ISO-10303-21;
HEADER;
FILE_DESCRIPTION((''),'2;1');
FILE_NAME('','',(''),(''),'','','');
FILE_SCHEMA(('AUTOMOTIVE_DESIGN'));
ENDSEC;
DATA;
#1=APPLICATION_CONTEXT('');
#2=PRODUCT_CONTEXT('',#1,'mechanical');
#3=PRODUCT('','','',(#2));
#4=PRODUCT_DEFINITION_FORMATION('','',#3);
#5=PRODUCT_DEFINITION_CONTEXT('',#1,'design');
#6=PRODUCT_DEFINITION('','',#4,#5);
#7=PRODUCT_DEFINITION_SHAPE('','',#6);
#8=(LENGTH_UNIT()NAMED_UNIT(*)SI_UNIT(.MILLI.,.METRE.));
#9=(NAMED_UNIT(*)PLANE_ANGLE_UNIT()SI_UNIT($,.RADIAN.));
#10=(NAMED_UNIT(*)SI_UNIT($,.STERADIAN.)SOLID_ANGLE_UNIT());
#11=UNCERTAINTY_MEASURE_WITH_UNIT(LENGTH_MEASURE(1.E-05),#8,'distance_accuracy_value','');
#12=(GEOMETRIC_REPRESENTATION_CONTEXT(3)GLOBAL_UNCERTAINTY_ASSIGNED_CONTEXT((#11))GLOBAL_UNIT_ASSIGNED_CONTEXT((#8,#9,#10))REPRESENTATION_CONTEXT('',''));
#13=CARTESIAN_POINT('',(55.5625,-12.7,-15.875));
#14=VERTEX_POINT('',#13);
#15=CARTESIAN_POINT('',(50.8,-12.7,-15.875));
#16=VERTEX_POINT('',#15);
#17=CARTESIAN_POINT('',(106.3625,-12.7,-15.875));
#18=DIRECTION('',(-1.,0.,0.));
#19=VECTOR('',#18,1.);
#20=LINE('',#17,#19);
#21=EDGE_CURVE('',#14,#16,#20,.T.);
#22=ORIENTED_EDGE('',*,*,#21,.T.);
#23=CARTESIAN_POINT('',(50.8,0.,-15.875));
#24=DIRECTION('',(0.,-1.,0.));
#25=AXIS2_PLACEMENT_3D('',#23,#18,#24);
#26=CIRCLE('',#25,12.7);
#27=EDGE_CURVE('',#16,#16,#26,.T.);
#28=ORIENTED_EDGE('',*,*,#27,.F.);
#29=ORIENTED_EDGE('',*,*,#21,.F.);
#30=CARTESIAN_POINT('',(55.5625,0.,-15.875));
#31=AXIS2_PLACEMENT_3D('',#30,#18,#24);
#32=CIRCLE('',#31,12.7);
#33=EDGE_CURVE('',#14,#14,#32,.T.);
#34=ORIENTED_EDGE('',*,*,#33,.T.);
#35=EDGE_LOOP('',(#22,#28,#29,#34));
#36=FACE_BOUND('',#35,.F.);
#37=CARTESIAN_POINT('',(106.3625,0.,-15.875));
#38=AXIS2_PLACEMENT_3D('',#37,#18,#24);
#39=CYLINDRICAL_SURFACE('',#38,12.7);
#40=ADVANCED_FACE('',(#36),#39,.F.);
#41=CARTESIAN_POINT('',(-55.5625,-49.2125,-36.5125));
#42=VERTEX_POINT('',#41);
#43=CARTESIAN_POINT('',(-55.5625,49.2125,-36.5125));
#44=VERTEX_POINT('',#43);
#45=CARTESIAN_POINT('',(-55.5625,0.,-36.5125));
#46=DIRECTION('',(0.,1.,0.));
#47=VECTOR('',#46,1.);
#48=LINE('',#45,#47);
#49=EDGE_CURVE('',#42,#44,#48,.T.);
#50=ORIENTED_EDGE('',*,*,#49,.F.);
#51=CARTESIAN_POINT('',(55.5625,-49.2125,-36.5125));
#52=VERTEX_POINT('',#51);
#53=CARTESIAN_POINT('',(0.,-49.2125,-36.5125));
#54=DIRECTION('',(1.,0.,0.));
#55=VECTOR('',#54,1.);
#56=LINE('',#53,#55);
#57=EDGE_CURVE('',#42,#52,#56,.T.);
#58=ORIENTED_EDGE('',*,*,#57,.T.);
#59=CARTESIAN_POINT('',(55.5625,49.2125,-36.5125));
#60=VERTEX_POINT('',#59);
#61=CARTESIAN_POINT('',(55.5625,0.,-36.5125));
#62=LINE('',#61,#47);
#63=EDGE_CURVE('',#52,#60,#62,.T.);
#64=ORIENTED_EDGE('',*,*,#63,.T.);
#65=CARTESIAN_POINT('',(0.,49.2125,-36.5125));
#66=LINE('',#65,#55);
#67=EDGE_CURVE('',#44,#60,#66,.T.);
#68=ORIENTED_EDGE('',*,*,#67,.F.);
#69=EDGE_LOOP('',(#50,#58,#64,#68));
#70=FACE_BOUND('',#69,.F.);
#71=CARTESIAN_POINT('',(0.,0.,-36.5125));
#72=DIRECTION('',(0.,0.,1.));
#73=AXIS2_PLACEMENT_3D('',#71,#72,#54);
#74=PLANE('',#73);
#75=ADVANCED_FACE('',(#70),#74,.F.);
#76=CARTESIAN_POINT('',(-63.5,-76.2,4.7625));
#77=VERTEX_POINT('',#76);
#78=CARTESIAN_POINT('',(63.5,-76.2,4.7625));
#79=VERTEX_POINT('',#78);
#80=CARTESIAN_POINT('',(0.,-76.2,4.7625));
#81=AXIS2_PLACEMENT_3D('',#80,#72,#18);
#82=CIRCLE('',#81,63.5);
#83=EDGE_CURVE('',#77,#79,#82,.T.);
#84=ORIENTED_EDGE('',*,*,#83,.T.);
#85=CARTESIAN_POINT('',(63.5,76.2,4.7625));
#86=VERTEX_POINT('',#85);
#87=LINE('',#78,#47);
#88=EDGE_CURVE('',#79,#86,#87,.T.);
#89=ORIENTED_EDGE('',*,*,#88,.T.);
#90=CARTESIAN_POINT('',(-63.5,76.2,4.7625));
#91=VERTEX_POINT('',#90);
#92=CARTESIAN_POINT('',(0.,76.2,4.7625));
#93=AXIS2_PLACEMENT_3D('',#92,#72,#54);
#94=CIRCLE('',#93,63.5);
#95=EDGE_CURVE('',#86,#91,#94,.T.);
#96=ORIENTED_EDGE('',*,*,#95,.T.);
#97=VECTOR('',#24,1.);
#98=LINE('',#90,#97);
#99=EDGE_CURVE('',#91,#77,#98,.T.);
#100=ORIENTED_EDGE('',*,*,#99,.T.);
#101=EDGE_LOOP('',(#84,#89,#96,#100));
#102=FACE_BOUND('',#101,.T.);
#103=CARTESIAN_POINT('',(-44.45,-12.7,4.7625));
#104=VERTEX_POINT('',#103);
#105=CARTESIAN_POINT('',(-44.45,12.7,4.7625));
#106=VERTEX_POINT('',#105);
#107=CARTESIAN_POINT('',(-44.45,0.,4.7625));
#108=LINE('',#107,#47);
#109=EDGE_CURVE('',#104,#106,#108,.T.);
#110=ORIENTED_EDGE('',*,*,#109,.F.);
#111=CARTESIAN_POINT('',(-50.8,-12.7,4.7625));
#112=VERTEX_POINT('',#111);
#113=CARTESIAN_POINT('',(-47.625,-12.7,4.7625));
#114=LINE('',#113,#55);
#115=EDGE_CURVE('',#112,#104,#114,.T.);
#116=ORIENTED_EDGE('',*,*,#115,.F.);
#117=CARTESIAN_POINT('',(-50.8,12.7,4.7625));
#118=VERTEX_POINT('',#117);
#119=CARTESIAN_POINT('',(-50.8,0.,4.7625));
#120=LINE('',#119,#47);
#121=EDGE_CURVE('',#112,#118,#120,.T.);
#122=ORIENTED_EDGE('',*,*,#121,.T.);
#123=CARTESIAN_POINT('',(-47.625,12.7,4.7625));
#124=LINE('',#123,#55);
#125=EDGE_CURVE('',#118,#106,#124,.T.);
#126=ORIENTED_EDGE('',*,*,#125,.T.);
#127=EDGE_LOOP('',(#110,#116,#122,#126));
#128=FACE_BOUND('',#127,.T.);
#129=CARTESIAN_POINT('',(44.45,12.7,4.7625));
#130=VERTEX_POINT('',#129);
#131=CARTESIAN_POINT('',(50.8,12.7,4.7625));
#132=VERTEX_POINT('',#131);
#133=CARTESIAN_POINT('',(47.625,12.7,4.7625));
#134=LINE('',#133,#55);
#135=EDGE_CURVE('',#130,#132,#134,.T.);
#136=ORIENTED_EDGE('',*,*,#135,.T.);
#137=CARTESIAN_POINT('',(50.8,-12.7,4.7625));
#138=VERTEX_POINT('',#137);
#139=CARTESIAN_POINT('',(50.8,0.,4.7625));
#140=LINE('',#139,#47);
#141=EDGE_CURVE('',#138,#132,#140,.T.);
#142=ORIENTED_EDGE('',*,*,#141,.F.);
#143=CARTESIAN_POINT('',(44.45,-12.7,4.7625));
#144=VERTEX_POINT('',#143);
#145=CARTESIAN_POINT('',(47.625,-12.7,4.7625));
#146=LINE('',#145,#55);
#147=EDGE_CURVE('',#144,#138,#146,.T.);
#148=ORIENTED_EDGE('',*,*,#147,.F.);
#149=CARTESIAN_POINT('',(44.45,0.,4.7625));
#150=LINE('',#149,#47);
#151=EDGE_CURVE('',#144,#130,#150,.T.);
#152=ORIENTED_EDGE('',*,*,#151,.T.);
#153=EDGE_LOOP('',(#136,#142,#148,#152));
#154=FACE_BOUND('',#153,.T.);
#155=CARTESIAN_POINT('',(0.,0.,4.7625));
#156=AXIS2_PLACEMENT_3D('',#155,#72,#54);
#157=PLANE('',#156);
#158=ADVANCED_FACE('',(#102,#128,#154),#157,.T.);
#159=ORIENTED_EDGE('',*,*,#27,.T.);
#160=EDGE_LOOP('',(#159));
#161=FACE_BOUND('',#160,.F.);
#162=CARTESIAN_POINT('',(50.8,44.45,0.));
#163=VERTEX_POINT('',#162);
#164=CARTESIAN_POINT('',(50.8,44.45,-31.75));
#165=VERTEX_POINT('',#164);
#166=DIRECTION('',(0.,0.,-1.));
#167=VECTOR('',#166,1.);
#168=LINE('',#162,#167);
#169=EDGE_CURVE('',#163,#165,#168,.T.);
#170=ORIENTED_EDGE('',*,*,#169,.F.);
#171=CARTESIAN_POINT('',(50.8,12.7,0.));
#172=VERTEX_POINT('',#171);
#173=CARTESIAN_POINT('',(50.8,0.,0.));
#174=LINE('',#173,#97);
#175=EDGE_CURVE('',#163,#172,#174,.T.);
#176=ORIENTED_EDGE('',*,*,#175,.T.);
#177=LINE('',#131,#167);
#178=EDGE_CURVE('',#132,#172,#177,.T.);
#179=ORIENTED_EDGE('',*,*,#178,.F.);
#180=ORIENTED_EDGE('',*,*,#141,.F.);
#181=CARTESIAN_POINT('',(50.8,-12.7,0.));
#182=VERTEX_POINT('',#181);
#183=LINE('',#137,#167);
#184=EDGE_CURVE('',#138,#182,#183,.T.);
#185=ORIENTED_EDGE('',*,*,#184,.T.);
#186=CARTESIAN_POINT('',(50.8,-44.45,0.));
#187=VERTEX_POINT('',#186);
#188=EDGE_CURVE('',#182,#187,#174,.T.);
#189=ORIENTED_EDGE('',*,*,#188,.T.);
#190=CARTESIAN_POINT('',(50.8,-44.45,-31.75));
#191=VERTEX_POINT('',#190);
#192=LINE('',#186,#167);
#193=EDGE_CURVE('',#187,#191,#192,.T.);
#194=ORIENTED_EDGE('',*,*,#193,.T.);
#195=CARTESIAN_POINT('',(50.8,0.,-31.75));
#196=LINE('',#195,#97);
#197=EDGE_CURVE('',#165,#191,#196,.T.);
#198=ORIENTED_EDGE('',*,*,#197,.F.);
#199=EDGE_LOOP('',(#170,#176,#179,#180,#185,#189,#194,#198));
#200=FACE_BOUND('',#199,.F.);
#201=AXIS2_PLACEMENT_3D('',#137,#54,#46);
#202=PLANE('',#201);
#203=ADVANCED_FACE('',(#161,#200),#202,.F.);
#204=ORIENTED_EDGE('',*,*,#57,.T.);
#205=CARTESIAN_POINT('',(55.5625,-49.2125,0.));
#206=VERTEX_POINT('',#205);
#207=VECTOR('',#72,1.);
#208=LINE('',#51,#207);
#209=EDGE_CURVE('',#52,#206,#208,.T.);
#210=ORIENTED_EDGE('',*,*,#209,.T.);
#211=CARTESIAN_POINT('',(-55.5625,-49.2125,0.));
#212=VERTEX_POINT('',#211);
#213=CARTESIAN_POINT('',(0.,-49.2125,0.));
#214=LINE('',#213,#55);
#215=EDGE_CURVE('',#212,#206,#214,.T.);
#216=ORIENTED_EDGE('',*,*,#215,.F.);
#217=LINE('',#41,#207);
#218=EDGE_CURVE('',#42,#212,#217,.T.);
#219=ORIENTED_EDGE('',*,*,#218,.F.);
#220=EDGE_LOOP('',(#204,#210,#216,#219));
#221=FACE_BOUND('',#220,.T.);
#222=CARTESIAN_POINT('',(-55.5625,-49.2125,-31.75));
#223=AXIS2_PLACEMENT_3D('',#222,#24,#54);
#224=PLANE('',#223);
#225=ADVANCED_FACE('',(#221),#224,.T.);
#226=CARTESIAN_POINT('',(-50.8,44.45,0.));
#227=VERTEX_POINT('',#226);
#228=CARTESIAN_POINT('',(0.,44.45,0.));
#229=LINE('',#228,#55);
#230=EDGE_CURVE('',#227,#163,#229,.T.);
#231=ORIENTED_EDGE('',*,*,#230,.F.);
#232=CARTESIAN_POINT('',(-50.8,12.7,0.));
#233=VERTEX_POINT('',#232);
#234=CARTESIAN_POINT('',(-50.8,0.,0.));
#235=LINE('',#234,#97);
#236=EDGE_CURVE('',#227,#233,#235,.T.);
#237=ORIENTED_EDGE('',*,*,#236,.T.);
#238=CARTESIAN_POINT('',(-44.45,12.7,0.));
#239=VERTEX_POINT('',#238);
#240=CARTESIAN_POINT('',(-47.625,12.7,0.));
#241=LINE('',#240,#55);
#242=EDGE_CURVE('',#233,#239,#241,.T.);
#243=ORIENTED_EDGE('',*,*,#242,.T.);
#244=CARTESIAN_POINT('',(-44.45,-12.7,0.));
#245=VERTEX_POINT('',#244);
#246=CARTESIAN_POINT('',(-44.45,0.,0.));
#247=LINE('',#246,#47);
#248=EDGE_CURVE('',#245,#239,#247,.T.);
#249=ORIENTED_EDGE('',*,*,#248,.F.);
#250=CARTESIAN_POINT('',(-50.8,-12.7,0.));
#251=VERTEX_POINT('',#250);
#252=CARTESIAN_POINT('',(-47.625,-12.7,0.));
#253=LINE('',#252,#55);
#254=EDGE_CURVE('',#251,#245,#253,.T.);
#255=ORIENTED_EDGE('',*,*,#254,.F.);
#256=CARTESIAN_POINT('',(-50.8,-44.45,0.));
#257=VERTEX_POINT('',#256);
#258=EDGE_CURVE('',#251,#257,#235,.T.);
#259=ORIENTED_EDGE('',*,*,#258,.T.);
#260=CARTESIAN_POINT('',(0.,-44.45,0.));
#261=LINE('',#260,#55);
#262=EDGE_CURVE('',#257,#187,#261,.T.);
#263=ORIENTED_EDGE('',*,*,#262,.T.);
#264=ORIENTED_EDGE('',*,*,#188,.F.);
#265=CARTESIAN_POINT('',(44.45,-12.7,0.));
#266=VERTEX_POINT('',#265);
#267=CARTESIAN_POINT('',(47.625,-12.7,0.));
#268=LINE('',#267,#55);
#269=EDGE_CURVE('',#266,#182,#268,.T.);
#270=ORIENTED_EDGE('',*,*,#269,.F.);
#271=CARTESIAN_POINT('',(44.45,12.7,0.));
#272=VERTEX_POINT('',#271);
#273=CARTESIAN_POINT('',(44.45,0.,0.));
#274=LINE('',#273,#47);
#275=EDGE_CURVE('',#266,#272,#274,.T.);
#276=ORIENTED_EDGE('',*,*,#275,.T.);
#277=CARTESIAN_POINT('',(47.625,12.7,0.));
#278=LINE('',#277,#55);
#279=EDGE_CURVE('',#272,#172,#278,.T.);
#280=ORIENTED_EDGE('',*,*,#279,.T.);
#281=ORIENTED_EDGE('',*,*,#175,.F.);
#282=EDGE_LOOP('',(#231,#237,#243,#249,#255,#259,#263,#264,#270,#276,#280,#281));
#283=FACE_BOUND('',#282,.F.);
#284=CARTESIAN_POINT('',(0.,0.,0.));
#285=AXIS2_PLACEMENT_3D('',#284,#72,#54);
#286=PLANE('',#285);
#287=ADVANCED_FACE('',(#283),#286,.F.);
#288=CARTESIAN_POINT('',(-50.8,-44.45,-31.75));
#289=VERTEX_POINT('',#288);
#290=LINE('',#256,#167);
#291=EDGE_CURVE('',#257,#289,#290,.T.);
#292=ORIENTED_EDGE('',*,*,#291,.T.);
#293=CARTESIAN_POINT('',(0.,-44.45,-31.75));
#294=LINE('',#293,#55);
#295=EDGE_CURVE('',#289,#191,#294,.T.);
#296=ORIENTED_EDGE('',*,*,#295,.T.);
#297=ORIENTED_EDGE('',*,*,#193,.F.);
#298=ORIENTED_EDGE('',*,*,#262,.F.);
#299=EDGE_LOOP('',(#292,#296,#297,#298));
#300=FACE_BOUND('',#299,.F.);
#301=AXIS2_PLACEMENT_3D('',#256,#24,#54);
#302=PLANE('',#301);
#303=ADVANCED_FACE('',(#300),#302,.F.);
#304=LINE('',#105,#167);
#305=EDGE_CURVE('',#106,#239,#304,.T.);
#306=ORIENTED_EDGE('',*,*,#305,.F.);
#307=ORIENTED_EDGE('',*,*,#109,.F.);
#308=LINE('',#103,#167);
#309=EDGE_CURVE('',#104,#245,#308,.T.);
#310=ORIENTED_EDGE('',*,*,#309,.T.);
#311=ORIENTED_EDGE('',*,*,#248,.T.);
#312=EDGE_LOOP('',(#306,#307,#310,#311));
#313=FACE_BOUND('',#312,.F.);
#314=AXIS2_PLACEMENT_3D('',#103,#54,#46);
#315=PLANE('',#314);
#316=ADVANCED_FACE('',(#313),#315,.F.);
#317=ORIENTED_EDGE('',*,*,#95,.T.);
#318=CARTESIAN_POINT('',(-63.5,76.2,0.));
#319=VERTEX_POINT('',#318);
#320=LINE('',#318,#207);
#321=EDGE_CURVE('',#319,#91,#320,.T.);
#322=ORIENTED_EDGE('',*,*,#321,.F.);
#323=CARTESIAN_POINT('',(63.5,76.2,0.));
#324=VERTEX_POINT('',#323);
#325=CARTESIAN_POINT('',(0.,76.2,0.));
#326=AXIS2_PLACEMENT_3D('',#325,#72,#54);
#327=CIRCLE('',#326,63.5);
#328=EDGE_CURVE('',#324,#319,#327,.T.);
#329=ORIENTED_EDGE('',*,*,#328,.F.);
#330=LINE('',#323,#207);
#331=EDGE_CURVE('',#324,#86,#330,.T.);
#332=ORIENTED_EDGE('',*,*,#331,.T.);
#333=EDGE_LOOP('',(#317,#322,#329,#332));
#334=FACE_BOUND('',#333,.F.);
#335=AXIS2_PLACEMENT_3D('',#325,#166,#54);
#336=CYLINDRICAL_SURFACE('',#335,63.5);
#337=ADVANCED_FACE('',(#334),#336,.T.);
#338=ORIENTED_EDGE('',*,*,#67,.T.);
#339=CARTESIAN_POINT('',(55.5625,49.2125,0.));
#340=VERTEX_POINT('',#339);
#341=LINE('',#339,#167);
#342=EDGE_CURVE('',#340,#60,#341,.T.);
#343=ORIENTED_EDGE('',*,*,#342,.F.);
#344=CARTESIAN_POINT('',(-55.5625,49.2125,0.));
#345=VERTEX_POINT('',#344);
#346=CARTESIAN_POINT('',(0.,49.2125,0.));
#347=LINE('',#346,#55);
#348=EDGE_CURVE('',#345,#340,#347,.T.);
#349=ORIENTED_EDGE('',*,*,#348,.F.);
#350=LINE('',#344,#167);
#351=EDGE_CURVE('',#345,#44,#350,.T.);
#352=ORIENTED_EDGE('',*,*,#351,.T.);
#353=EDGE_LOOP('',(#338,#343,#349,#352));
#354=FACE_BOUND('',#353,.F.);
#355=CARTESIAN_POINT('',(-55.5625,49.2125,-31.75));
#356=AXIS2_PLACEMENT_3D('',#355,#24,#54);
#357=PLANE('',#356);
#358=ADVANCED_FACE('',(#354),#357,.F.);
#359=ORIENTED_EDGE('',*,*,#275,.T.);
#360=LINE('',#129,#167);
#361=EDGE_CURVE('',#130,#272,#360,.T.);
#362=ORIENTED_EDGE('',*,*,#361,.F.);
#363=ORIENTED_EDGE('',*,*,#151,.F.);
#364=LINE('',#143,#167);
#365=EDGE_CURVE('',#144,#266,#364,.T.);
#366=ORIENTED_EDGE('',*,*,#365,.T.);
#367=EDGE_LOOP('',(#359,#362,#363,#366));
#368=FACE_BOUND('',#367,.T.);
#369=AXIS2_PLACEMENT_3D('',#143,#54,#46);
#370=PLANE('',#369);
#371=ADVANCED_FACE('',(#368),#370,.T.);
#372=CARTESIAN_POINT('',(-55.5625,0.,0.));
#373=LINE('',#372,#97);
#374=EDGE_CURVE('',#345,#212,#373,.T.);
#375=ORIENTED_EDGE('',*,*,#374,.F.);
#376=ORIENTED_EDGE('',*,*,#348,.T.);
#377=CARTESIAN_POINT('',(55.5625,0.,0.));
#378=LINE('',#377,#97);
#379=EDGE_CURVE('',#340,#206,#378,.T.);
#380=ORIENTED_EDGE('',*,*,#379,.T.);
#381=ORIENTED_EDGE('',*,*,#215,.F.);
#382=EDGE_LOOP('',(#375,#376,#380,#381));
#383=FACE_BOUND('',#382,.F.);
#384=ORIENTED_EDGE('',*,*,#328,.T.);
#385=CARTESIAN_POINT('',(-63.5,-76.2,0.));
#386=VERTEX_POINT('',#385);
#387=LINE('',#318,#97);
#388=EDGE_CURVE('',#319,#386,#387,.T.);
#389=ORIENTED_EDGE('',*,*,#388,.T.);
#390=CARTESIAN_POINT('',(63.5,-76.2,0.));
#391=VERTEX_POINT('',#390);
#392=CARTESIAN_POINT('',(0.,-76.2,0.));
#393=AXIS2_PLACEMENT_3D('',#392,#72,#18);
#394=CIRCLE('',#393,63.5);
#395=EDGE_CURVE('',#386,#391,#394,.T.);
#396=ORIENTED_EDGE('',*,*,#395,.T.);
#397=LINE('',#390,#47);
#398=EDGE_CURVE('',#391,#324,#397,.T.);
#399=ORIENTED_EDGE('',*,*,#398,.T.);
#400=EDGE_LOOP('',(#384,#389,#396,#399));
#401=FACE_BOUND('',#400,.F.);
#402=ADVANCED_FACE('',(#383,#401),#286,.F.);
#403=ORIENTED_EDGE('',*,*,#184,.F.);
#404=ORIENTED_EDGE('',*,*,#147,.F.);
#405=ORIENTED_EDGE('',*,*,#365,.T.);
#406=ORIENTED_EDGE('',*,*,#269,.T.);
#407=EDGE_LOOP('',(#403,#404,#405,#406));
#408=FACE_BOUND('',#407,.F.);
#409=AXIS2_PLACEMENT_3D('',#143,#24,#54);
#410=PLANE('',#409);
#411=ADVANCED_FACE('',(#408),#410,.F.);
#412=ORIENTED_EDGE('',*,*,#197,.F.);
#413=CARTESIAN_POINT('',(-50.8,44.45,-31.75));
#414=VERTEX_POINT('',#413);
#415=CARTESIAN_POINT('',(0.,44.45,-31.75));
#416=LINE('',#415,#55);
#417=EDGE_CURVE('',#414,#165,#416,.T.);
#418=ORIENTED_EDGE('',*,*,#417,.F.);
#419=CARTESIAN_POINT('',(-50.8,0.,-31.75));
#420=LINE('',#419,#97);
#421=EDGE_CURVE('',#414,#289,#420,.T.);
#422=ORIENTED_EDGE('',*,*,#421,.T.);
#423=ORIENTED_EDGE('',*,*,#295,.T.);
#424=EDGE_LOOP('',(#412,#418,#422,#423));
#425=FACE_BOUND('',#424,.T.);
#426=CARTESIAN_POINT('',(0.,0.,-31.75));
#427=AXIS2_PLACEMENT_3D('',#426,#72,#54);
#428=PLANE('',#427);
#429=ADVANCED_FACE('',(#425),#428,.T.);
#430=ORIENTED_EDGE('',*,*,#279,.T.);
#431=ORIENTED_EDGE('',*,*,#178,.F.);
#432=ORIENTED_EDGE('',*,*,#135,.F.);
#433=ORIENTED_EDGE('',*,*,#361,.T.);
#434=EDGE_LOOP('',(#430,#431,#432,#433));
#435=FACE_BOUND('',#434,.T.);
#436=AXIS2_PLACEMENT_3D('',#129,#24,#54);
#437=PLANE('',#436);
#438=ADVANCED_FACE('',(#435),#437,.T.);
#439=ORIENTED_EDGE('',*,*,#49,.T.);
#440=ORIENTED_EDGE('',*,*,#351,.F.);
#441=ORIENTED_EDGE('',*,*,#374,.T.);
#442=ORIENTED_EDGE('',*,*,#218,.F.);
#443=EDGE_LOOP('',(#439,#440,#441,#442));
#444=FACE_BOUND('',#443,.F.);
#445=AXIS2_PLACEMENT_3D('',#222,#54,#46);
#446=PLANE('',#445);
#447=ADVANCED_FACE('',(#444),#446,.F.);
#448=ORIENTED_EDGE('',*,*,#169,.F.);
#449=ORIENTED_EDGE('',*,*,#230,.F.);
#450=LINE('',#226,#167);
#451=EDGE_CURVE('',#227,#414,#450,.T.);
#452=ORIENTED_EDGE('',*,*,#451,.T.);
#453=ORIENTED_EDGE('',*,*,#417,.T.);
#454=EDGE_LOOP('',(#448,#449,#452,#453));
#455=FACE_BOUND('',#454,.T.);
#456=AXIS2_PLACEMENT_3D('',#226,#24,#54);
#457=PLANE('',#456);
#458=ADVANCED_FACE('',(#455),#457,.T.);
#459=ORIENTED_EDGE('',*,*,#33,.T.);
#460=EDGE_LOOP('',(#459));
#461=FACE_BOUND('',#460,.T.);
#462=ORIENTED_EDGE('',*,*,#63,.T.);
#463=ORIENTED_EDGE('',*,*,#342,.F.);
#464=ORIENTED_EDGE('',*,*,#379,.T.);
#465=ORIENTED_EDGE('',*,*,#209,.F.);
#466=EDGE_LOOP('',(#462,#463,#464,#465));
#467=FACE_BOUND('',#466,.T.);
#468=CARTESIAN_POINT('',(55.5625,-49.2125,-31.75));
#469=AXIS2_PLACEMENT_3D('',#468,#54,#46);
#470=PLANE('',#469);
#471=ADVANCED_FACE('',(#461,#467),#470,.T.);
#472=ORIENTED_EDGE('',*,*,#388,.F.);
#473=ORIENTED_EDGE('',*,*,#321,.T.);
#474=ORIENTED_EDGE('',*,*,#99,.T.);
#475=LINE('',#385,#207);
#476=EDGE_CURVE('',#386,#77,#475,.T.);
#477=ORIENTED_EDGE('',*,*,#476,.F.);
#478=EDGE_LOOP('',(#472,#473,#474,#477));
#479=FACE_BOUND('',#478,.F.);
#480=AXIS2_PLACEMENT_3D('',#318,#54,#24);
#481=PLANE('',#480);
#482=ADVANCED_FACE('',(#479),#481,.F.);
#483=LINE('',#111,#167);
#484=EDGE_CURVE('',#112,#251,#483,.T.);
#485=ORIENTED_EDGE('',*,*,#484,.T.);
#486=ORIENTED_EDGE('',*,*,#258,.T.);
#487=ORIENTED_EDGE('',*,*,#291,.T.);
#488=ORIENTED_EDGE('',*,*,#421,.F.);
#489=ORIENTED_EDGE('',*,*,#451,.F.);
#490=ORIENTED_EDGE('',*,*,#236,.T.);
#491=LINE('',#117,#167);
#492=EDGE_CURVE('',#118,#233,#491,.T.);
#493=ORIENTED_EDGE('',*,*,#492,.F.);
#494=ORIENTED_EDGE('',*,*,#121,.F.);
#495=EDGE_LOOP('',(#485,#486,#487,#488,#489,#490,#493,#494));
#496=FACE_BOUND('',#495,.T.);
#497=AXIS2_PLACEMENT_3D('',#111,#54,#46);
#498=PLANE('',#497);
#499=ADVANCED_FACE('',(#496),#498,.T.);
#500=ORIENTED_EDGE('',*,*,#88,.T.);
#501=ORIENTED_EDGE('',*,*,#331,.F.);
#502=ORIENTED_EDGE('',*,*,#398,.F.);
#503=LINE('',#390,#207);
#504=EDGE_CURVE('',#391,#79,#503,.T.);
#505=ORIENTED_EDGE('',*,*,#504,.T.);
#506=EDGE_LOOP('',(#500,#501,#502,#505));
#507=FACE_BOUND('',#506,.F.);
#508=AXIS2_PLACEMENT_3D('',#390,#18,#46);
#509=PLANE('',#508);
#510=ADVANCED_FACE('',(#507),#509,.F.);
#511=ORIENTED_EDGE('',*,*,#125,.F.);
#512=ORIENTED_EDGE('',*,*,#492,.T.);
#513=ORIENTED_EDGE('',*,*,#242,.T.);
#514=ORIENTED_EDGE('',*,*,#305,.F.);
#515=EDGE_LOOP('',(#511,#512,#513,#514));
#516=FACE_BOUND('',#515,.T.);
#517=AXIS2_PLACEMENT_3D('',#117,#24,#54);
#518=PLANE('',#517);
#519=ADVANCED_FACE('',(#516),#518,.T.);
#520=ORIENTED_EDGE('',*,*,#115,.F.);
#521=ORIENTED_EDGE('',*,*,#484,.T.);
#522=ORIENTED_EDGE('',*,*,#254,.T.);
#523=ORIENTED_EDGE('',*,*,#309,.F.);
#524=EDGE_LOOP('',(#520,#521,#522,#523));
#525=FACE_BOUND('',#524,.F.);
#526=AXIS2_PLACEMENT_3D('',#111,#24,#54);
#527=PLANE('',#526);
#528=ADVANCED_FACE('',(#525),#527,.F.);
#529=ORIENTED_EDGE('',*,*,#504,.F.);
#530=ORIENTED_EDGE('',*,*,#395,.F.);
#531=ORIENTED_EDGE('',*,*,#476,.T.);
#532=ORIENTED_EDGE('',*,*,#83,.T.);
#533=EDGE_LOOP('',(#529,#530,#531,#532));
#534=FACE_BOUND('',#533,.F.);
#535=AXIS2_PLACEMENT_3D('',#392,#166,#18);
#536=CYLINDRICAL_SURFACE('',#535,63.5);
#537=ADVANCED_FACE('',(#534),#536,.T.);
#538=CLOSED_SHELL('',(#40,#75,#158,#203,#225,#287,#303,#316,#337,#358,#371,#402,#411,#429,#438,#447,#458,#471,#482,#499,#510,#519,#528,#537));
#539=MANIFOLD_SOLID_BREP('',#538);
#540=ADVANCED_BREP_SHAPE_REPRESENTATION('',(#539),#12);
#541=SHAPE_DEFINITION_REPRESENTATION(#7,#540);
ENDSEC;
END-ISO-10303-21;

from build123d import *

# Parameters (mm, degrees)
F1_DEPTH  = 4.7625
F2_W      = 111.125
F2_H      = 98.425
F2_W_2    = 101.6
F2_H_2    = 88.9
F3_DEPTH  = 31.75
F5_D      = 25.4
F5_DEPTH  = 50.8
F6_W      = 6.35
F6_H      = 25.4
F7_DEPTH  = 4.7625
F9_W      = 111.125
F9_H      = 98.425
F10_DEPTH = 4.7625


with BuildPart() as f1:
    # F0 (on Top) → F1 (new body)
    with BuildSketch(Plane.XY):
        with BuildLine():
            ThreePointArc((-63.5, -76.2), (0, -139.7), (63.5, -76.2))
            Line((63.5, -76.2), (63.5, 76.2))
            ThreePointArc((63.5, 76.2), (0, 139.7), (-63.5, 76.2))
            Line((-63.5, 76.2), (-63.5, -76.2))
        make_face()
    extrude(amount=F1_DEPTH)

    # F2 (on face) → F3 (join)
    with BuildSketch(Plane(origin=(0, 0, 0), x_dir=(1, 0, 0), z_dir=(0, 0, -1))):
        Rectangle(F2_W, F2_H)
        Rectangle(F2_W_2, F2_H_2, mode=Mode.SUBTRACT)
    extrude(amount=F3_DEPTH)

    # F5
    with Locations(Plane.YZ.offset(55.5625)):
        with Locations((0, -15.875)):
            Hole(F5_D / 2, depth=F5_DEPTH)

    # F6 (on face) → F7 (cut)
    with BuildSketch(Plane.XY.offset(4.7625)):
        with Locations((47.625, 0)):
            Rectangle(F6_W, F6_H)
        with Locations((-47.625, 0)):
            Rectangle(F6_W, F6_H)
    extrude(amount=-F7_DEPTH, mode=Mode.SUBTRACT)

    # F9 (on offset) → F10 (join)
    with BuildSketch(Plane.XY.offset(-31.75)):
        Rectangle(F9_W, F9_H)
    extrude(amount=-F10_DEPTH)


solid = f1.part
